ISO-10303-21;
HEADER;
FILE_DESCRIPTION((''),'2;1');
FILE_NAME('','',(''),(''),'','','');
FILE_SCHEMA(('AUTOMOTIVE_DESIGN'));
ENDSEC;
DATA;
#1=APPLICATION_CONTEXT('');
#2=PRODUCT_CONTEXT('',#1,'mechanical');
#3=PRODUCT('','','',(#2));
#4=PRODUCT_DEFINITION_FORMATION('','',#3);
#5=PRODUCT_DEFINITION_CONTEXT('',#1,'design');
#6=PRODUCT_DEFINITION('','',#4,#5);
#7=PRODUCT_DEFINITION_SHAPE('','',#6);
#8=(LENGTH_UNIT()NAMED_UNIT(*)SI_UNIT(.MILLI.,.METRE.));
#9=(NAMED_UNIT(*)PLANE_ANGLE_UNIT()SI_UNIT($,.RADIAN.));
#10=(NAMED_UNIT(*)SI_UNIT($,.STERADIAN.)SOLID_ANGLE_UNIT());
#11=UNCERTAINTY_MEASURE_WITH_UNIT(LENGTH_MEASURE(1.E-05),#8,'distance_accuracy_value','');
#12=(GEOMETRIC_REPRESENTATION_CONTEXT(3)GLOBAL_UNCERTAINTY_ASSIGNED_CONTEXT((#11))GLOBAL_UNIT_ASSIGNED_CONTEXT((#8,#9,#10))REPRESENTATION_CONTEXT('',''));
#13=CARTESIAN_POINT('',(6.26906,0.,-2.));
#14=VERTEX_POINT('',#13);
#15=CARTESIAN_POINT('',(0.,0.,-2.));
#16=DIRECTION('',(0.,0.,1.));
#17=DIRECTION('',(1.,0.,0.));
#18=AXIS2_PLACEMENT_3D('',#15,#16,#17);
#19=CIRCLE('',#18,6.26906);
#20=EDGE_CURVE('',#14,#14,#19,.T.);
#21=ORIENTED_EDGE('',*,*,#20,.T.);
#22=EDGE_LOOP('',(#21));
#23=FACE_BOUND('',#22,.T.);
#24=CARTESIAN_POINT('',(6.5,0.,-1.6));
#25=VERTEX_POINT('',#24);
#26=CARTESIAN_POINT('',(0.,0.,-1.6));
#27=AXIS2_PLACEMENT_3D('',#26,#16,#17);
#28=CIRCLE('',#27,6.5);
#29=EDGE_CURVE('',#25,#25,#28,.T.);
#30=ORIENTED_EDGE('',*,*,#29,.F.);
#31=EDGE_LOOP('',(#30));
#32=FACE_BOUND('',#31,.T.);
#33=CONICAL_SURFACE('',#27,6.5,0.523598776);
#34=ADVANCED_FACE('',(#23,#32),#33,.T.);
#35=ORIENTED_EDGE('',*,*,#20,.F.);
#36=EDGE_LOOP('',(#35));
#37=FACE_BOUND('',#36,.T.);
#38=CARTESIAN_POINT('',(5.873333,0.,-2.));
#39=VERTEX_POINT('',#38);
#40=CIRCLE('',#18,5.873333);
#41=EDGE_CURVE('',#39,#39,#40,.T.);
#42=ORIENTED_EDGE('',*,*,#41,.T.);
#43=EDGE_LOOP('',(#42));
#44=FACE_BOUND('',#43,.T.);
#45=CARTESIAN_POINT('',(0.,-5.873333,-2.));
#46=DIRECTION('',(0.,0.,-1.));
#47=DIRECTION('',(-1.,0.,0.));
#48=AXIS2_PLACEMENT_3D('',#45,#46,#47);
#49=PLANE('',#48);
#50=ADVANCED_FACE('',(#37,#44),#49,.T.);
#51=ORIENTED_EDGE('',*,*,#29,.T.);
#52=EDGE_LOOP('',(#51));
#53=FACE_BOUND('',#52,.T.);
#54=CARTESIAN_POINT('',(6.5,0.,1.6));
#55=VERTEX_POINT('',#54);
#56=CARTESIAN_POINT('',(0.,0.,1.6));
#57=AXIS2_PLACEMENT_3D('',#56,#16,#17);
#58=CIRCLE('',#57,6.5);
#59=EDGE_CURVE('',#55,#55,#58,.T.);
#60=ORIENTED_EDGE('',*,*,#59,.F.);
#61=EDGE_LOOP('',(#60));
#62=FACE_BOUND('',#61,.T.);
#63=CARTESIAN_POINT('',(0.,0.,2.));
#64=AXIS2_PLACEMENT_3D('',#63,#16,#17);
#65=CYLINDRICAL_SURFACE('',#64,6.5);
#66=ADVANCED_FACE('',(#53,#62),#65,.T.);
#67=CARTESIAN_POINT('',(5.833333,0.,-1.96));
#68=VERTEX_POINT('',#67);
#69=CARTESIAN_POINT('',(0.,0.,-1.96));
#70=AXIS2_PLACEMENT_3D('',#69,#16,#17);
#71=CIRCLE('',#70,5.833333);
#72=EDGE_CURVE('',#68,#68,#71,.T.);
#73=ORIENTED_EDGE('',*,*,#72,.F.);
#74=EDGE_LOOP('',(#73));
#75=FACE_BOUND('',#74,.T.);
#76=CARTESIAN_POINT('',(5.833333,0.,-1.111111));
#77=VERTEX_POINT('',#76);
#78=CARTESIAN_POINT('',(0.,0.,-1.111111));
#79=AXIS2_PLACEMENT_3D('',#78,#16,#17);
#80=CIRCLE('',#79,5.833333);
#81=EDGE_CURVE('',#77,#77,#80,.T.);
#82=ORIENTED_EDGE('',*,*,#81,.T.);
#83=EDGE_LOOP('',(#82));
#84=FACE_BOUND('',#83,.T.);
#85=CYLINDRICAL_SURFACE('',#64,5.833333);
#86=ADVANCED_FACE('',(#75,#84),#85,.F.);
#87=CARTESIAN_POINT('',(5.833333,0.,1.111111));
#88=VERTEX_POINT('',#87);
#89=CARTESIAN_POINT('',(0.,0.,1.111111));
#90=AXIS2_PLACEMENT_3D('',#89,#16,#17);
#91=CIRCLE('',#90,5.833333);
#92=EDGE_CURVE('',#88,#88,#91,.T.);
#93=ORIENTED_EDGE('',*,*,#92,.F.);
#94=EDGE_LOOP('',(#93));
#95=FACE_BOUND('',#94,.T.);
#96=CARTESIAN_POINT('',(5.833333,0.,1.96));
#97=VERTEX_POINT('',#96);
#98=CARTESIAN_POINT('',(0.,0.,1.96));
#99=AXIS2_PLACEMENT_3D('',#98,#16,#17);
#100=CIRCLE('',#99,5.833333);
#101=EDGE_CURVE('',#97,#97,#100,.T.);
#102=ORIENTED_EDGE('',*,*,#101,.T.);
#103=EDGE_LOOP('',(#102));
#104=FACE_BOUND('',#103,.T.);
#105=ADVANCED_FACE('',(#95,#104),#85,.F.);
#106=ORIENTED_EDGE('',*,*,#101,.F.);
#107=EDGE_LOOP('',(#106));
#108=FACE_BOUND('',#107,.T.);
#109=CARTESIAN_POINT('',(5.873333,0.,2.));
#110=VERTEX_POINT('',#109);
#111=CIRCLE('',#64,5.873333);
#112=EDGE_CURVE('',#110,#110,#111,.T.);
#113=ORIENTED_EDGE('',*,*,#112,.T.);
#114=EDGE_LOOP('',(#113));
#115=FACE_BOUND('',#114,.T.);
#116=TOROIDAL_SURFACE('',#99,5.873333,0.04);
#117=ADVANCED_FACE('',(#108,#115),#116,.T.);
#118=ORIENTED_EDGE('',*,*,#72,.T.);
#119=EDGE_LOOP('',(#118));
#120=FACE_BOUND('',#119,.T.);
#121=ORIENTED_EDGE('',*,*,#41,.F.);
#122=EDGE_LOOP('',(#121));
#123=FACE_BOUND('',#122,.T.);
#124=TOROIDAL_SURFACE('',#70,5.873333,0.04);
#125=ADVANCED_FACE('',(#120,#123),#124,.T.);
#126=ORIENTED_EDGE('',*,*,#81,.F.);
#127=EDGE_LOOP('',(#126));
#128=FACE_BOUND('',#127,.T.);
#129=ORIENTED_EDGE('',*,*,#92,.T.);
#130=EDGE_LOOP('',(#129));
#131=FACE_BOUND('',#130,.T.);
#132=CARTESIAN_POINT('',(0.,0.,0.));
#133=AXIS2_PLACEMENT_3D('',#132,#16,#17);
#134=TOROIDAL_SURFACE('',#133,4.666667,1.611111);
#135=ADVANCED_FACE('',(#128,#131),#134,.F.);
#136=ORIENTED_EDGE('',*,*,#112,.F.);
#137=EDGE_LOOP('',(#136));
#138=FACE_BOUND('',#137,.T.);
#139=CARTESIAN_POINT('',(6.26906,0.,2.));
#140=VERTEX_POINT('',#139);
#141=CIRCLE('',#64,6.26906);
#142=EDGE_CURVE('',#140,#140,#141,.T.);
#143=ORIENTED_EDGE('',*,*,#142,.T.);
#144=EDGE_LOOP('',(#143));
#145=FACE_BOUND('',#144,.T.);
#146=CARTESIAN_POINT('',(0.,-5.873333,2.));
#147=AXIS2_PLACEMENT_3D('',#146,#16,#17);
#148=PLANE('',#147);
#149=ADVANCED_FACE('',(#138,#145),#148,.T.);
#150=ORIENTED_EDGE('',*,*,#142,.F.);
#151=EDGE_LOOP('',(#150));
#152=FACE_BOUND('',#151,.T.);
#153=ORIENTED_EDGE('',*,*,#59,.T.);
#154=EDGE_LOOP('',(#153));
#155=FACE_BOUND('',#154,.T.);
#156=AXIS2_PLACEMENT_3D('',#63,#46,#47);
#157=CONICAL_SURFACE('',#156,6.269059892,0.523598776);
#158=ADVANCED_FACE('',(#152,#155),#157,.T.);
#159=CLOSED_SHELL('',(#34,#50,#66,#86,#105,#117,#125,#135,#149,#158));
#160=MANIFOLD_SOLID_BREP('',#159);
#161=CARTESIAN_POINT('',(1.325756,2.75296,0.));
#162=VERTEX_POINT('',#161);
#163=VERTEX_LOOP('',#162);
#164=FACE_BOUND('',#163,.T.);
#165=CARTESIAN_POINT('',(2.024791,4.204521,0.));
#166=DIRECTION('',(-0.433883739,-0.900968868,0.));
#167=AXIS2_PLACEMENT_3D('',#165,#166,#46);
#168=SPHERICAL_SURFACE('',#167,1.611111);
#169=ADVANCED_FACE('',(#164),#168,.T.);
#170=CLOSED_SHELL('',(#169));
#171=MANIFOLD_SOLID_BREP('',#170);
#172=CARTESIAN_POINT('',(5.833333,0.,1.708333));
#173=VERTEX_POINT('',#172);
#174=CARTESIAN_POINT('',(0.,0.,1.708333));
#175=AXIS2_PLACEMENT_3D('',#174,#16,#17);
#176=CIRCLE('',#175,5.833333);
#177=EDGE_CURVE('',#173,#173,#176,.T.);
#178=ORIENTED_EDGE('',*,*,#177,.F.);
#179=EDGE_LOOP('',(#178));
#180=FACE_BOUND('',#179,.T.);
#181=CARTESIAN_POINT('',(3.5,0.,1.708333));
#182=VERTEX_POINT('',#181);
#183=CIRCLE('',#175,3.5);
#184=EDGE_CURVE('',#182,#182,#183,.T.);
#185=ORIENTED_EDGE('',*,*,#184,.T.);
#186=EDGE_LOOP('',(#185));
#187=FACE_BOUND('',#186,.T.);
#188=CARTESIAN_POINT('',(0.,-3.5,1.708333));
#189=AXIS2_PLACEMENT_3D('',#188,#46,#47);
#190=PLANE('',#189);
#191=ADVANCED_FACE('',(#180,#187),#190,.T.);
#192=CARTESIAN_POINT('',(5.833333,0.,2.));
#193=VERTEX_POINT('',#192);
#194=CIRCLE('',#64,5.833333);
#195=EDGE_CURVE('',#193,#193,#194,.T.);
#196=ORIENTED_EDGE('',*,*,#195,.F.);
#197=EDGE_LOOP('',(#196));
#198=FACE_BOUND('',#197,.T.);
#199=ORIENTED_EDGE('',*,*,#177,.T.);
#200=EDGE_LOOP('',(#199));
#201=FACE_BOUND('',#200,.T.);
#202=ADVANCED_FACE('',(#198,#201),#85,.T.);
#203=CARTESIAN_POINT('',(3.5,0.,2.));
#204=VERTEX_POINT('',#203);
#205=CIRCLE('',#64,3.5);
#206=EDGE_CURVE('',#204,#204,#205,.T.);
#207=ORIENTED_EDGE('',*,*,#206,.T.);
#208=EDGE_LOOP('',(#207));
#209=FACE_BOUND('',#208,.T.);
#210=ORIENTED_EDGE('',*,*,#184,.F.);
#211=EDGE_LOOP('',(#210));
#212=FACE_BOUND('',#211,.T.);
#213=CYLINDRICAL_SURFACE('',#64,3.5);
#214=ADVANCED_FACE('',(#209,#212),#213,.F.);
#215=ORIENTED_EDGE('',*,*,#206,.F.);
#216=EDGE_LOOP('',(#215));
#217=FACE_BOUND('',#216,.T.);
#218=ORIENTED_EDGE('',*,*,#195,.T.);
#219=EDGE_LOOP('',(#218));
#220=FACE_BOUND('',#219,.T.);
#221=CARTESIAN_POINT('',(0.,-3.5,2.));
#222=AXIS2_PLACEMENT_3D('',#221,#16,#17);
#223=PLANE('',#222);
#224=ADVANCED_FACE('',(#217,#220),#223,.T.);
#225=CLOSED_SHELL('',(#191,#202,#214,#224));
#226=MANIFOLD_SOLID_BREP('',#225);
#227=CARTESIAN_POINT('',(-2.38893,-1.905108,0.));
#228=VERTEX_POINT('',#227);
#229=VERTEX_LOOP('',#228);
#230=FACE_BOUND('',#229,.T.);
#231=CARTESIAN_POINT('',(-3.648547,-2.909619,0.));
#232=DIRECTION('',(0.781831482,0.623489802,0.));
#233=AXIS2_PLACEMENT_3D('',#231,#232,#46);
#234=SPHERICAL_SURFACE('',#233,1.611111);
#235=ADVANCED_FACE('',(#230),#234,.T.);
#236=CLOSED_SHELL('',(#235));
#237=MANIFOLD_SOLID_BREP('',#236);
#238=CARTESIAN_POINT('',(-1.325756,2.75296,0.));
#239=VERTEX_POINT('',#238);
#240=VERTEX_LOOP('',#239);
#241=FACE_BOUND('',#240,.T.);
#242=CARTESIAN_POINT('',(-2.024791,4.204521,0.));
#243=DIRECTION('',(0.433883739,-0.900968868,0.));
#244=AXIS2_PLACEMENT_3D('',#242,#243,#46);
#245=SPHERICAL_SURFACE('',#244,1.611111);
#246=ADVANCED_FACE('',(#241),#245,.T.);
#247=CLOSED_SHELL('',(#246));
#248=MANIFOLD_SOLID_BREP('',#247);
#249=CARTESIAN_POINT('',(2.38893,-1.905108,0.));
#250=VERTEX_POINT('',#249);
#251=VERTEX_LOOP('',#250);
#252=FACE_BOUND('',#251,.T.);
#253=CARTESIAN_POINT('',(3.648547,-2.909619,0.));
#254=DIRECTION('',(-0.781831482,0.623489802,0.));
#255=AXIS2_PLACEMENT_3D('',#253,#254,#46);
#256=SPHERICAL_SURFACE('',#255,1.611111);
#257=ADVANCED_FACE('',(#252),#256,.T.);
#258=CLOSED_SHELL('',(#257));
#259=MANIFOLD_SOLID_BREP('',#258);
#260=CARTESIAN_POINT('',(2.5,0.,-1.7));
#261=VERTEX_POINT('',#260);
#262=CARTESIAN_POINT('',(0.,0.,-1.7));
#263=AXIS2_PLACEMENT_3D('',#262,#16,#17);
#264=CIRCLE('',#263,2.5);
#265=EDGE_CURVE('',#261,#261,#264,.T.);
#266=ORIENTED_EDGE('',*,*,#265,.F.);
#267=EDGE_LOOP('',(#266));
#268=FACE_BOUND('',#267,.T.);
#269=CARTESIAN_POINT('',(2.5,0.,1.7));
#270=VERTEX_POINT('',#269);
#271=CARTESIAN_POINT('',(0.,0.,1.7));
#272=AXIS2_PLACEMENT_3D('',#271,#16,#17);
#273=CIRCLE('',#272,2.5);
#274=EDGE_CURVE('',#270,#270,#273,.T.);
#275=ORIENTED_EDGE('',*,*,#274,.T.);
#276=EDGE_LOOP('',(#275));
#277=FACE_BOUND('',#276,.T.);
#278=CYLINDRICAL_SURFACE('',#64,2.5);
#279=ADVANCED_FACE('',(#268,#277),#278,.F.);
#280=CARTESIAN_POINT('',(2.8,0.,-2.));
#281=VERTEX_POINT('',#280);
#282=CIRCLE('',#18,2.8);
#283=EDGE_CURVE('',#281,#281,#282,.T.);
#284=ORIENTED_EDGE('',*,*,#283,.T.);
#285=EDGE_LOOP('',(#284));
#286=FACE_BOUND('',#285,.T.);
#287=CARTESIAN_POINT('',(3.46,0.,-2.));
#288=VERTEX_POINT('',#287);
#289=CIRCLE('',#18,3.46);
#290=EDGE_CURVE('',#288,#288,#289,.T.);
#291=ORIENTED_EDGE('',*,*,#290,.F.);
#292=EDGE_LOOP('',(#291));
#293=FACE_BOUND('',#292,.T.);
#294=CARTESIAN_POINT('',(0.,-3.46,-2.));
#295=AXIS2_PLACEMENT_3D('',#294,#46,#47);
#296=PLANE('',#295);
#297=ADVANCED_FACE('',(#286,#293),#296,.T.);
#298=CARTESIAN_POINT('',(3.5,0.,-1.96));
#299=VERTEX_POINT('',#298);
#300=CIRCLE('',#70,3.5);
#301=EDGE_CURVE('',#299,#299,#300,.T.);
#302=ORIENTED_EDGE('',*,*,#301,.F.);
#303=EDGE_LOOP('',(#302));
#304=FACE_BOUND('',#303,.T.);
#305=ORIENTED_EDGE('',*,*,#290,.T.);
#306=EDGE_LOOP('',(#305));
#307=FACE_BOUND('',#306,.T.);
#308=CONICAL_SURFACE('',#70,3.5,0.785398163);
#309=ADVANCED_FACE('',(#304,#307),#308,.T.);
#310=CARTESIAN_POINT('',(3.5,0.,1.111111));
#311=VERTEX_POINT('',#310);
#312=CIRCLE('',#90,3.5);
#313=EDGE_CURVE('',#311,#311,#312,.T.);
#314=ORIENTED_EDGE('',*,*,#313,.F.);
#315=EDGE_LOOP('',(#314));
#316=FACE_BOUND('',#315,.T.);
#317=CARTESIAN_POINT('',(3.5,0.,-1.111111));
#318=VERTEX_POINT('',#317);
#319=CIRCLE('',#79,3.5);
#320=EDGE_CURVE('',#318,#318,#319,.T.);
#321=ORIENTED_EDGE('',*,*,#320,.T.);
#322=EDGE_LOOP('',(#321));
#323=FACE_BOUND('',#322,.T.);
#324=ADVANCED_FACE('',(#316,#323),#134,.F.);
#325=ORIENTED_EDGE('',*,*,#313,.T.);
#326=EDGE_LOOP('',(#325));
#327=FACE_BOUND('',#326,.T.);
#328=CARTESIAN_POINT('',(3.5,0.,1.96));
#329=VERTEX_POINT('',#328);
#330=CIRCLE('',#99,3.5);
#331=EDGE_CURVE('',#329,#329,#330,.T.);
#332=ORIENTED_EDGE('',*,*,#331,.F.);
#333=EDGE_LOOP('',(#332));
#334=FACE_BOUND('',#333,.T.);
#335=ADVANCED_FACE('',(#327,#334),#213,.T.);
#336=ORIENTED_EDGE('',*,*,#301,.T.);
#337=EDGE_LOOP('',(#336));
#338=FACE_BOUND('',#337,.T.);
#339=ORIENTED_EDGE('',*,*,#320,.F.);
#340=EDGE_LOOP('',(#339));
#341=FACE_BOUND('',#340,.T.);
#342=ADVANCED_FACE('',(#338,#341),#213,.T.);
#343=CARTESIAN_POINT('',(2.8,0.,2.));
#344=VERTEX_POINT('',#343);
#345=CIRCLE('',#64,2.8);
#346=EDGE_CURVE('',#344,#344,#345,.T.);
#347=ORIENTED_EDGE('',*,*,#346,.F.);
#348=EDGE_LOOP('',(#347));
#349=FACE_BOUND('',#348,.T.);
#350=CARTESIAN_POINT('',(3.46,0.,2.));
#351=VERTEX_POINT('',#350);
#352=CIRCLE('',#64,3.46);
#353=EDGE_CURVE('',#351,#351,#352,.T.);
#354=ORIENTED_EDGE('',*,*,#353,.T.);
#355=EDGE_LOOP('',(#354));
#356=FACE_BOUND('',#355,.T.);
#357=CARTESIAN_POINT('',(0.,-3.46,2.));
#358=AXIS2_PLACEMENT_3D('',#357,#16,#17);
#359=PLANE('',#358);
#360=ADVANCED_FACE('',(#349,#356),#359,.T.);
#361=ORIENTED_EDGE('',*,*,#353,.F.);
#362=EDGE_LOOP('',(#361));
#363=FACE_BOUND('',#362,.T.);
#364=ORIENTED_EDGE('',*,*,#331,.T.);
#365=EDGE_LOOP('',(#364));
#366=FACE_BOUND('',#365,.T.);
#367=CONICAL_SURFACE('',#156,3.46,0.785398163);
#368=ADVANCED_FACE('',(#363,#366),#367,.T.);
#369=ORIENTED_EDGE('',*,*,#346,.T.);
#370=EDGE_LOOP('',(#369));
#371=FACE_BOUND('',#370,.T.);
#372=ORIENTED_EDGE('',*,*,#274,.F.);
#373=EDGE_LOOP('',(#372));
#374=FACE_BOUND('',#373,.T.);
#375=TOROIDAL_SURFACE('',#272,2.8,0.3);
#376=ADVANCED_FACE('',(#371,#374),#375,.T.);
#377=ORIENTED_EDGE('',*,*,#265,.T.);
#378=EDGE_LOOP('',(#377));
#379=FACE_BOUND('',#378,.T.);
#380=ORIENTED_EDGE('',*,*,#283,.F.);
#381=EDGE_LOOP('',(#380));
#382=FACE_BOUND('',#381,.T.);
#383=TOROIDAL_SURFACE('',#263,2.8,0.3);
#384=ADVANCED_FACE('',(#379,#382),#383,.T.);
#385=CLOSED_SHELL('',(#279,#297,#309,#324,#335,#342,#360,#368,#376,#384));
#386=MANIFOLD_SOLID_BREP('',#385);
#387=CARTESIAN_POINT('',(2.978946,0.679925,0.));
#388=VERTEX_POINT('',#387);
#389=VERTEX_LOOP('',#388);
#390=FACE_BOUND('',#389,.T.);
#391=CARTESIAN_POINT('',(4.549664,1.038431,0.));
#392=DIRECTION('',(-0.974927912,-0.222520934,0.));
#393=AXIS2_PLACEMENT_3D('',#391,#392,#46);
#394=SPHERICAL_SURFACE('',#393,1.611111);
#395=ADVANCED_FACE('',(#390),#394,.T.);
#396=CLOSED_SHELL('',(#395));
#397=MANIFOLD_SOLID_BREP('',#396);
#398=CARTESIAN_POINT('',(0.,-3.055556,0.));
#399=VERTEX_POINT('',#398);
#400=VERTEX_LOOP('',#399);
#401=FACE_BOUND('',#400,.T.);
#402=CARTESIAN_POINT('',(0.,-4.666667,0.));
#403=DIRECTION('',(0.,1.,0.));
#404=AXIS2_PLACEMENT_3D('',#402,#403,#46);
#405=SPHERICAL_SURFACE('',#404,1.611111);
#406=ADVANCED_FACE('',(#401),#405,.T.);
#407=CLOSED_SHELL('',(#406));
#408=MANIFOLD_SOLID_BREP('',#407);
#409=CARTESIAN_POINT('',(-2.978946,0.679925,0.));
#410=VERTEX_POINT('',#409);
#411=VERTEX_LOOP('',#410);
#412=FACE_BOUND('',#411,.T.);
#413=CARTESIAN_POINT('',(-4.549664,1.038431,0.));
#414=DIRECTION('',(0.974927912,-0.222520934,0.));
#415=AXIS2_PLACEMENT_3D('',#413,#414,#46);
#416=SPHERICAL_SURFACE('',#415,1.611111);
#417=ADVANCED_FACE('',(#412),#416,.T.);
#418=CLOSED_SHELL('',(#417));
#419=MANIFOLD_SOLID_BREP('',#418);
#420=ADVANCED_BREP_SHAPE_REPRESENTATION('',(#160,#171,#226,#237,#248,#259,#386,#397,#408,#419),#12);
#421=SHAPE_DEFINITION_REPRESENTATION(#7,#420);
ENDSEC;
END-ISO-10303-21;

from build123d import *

# Parameters (mm, degrees)
SKETCH4_W         = 0.291666667
SKETCH4_H         = 2.333333333
CIRPATTERN1_COUNT = 7


with BuildPart() as part:
    # Sketch3 → Revolve1 (revolve)
    with BuildSketch(Plane(origin=(0, 0, 0), x_dir=(0, 0, -1), z_dir=(1, 0, 0)), mode=Mode.PRIVATE) as revolve1_sk:
        with BuildLine():
            Line((-1.6, -6.5), (1.6, -6.5))
            Line((1.6, -6.5), (2, -6.269059892))
            Line((2, -6.269059892), (2, -5.873333333))
            ThreePointArc((2, -5.873333333), (1.988284271, -5.845049062), (1.96, -5.833333333))
            Line((1.96, -5.833333333), (1.111111111, -5.833333333))
            ThreePointArc((1.111111111, -5.833333333), (0, -6.277777778), (-1.111111111, -5.833333333))
            Line((-1.111111111, -5.833333333), (-1.96, -5.833333333))
            ThreePointArc((-1.96, -5.833333333), (-1.988284271, -5.845049062), (-2, -5.873333333))
            Line((-2, -5.873333333), (-2, -6.269059892))
            Line((-2, -6.269059892), (-1.6, -6.5))
        make_face()
        with BuildLine():
            Line((-1.7, -2.5), (1.7, -2.5))
            ThreePointArc((1.7, -2.5), (1.912132034, -2.587867966), (2, -2.8))
            Line((2, -2.8), (2, -3.46))
            Line((2, -3.46), (1.96, -3.5))
            Line((1.96, -3.5), (1.111111111, -3.5))
            ThreePointArc((1.111111111, -3.5), (0, -3.055555556), (-1.111111111, -3.5))
            Line((-1.111111111, -3.5), (-1.96, -3.5))
            Line((-1.96, -3.5), (-2, -3.46))
            Line((-2, -3.46), (-2, -2.8))
            ThreePointArc((-2, -2.8), (-1.912132034, -2.587867966), (-1.7, -2.5))
        make_face()
    revolve(revolve1_sk.sketch.rotate(Axis((0, 0, 2), (0, 0, -1)), 270), axis=Axis((0, 0, 2), (0, 0, -1)))


with BuildPart() as body_2:
    # Sketch4 → Revolve2 (revolve)
    with BuildSketch(Plane(origin=(0, 0, 0), x_dir=(0, 0, -1), z_dir=(1, 0, 0)), mode=Mode.PRIVATE) as revolve2_sk:
        with Locations((-1.854166667, -4.666666667)):
            Rectangle(SKETCH4_W, SKETCH4_H)
    revolve(revolve2_sk.sketch.rotate(Axis((0, 0, 2), (0, 0, -1)), 270), axis=Axis((0, 0, 2), (0, 0, -1)))


with BuildPart() as body_3:
    # Sketch5 → Revolve3 (revolve)
    with BuildSketch(Plane(origin=(0, 0, 0), x_dir=(0, 0, -1), z_dir=(1, 0, 0))):
        with BuildLine():
            Line((0, -3.055555556), (0, -6.277777778))
            ThreePointArc((0, -6.277777778), (-1.611111111, -4.666666667), (0, -3.055555556))
        make_face()
    revolve(axis=Axis((0, 0, 0), (0, -1, 0)))


with BuildPart() as cirpattern1_1:
    # CirPattern1: pattern copy
    add(body_3.part.rotate(Axis((0, 0, 0), (0, 0, 1)), 1 * 360 / CIRPATTERN1_COUNT))


with BuildPart() as cirpattern1_2:
    # CirPattern1: pattern copy
    add(body_3.part.rotate(Axis((0, 0, 0), (0, 0, 1)), 2 * 360 / CIRPATTERN1_COUNT))


with BuildPart() as cirpattern1_3:
    # CirPattern1: pattern copy
    add(body_3.part.rotate(Axis((0, 0, 0), (0, 0, 1)), 3 * 360 / CIRPATTERN1_COUNT))


with BuildPart() as cirpattern1_4:
    # CirPattern1: pattern copy
    add(body_3.part.rotate(Axis((0, 0, 0), (0, 0, 1)), 4 * 360 / CIRPATTERN1_COUNT))


with BuildPart() as cirpattern1_5:
    # CirPattern1: pattern copy
    add(body_3.part.rotate(Axis((0, 0, 0), (0, 0, 1)), 5 * 360 / CIRPATTERN1_COUNT))


with BuildPart() as cirpattern1_6:
    # CirPattern1: pattern copy
    add(body_3.part.rotate(Axis((0, 0, 0), (0, 0, 1)), 6 * 360 / CIRPATTERN1_COUNT))


solid = Compound([part.part, body_2.part, body_3.part, cirpattern1_1.part, cirpattern1_2.part, cirpattern1_3.part, cirpattern1_4.part, cirpattern1_5.part, cirpattern1_6.part])
